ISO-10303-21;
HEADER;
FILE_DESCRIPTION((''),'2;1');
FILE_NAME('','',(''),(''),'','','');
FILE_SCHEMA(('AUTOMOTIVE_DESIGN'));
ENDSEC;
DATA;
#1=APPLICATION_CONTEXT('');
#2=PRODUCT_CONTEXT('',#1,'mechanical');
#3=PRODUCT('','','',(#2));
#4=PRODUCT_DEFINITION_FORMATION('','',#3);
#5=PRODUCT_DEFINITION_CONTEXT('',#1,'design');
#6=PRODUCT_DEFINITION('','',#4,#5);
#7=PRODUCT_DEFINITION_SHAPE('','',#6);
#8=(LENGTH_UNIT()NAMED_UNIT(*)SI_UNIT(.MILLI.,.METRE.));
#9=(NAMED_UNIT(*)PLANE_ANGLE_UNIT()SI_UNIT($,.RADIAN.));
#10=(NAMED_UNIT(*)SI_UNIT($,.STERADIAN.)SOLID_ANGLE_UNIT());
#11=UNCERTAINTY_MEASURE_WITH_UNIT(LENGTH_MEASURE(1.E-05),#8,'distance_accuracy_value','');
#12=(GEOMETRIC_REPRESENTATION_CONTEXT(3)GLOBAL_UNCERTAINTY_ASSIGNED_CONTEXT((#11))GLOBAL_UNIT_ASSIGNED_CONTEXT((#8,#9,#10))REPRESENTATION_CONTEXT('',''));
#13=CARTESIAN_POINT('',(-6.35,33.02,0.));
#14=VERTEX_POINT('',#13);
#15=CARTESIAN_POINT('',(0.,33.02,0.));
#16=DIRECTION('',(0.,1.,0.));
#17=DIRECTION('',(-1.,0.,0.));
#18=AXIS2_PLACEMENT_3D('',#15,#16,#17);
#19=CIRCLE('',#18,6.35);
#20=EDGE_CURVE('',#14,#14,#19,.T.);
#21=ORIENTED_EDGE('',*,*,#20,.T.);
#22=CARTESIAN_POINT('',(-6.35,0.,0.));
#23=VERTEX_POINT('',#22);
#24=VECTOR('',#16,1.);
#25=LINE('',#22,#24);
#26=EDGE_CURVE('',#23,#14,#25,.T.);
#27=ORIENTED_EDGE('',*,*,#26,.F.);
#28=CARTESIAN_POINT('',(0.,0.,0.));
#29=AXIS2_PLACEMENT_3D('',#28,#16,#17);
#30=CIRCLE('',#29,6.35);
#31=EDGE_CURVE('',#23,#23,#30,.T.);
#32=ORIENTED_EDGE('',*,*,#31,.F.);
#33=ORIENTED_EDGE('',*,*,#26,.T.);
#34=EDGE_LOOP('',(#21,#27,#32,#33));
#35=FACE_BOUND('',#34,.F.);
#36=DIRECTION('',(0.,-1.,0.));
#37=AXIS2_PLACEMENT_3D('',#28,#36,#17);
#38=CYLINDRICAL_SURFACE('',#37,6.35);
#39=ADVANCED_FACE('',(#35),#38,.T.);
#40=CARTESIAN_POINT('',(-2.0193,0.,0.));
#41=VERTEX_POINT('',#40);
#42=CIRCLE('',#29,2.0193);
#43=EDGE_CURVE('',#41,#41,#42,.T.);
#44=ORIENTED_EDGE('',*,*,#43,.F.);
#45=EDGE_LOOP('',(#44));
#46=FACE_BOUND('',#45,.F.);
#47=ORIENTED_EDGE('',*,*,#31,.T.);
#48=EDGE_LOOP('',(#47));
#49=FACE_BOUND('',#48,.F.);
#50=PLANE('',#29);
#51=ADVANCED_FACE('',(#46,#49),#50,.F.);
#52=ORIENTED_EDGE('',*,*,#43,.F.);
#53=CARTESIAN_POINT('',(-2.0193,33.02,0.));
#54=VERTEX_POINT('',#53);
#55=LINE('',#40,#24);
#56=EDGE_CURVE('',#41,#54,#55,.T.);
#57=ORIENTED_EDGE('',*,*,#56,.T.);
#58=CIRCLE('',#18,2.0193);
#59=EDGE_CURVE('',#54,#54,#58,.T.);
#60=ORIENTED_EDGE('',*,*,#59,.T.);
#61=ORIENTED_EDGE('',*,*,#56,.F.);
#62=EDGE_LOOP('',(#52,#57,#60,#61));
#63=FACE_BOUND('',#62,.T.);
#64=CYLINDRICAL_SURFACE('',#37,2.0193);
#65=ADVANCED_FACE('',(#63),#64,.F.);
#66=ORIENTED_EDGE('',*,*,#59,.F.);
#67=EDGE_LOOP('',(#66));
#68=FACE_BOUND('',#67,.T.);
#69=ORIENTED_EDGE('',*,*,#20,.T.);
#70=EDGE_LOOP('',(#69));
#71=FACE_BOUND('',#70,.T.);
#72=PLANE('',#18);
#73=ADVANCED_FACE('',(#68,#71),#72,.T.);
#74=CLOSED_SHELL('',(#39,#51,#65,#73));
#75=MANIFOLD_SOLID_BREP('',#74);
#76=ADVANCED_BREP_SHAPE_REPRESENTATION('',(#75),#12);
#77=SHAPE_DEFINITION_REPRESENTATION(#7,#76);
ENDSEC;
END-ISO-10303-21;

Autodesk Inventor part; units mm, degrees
ref_plane "YZ Plane" through (0, 0, 0) normal (1, 0, 0) x (0, 1, 0)
ref_plane "XZ Plane" through (0, 0, 0) normal (0, 1, 0) x (-1, 0, 0)
ref_plane "XY Plane" through (0, 0, 0) normal (0, 0, 1) x (1, 0, 0)
sketch "Sketch1" plane through (0, 0, 0) normal (0, 1, 0) x (-1, 0, 0)
  circle A0 centre (0, 0) radius 6.35
  circle A1 centre (0, 0) radius 2.0193
  dimension "d0" = 12.7
  dimension "d1" = 4.0386
extrude "Extrusion1" add sketch "Sketch1" along normal blind 33.02
thread "Thread1" size "10-32 UNF" class "2B" standard "ANSI Unified Screw Threads" full length
properties part number "Gearboxes_003_standoff" material "Aluminum 6061"
